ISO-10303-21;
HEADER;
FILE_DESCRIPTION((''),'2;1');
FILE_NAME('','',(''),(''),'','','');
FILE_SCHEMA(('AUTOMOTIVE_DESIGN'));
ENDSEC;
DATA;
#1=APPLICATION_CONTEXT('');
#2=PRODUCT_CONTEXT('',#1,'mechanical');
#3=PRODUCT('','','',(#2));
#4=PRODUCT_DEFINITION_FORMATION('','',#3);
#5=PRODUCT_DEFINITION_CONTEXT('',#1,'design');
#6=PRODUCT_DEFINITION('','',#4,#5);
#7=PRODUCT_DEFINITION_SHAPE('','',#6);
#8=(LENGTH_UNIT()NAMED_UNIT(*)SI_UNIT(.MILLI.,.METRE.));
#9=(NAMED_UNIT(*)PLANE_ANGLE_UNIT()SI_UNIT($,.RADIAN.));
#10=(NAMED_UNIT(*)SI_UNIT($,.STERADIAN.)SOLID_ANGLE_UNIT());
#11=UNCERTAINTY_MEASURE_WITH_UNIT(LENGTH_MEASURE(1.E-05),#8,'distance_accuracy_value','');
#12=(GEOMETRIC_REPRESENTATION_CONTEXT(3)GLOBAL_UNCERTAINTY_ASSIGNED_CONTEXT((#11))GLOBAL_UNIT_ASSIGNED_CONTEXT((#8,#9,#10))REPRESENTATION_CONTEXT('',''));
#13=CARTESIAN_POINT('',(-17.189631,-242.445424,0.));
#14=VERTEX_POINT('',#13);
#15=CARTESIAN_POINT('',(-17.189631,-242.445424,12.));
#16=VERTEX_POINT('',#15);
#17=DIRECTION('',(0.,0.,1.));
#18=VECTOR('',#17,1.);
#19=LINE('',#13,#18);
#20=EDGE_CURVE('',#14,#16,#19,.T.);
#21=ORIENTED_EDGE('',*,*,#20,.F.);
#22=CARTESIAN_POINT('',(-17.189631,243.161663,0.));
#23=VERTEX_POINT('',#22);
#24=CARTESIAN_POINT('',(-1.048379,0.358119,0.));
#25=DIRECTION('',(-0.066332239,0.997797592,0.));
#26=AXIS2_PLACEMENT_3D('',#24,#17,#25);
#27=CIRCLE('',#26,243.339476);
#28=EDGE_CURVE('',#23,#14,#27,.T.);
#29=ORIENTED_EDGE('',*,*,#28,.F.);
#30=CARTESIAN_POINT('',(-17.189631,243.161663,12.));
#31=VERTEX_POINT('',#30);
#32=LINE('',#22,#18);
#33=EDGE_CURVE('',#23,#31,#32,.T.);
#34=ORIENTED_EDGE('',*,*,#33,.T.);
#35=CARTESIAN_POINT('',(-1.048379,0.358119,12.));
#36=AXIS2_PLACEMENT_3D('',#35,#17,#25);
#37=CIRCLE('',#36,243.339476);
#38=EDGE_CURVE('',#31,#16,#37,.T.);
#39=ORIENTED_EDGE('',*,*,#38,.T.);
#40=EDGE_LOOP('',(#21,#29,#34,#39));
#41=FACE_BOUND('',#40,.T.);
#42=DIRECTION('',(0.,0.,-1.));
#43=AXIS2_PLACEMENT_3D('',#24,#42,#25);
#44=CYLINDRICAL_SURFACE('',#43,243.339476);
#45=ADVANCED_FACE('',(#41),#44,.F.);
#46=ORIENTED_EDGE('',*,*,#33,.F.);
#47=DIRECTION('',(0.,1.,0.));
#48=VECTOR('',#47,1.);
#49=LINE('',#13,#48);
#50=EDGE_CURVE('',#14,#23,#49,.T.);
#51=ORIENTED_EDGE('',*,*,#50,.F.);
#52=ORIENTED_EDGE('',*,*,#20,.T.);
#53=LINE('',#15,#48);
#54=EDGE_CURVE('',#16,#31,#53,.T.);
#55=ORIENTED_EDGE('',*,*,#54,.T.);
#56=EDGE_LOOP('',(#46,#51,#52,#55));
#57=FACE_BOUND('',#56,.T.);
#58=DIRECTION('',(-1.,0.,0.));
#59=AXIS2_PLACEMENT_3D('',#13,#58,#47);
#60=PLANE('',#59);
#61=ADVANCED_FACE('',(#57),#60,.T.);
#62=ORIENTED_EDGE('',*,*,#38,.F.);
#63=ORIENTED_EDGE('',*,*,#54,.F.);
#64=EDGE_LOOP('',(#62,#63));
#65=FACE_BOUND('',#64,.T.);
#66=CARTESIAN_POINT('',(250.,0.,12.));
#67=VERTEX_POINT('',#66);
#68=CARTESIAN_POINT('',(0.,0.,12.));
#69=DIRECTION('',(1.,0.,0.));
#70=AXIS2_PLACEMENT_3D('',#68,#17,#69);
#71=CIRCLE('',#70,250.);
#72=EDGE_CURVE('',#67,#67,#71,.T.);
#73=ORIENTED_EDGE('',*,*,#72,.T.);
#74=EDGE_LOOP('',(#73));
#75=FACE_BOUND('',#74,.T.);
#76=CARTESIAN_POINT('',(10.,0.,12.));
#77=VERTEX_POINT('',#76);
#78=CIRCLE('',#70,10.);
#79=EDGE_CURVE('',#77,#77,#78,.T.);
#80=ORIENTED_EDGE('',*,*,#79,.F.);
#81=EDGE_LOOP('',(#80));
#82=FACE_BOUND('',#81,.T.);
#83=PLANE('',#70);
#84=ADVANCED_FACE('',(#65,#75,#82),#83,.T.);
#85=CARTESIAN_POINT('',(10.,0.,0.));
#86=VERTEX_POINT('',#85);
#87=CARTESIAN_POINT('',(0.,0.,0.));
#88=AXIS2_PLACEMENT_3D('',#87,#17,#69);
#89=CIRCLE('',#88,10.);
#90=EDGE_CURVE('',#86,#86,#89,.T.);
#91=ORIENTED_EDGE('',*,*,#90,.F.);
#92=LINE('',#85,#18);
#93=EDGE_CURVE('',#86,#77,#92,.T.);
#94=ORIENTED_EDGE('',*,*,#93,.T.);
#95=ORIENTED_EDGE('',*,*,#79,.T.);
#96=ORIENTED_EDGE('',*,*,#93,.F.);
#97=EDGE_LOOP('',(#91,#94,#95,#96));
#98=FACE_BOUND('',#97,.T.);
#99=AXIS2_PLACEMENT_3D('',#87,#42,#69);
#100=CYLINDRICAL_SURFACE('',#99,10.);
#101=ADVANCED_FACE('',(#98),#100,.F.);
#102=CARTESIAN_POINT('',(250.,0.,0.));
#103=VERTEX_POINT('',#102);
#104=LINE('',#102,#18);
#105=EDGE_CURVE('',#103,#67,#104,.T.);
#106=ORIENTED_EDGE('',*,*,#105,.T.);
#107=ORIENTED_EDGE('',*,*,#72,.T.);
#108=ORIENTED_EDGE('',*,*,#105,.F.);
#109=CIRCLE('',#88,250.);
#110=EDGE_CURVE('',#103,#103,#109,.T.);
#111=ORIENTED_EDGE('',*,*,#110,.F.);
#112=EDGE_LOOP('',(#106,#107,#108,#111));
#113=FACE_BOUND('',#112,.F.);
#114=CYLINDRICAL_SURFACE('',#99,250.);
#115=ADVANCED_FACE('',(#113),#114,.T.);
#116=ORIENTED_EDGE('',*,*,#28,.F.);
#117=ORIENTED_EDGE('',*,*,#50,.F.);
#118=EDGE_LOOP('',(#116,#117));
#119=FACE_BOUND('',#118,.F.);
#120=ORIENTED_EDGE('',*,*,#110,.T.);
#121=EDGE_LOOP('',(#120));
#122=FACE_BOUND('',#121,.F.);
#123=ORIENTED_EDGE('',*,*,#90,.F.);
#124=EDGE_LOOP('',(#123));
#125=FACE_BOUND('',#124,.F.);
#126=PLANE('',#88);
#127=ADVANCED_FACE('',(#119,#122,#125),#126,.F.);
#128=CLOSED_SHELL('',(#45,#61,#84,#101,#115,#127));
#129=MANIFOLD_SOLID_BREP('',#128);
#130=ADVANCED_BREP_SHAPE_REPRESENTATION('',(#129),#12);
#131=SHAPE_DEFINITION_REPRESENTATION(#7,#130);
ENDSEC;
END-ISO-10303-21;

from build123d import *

# Parameters (mm, degrees)
F0_R     = 250
F1_DEPTH = 12
F2_R     = 10
F3_DEPTH = 12
F5_DEPTH = 12


with BuildPart() as f1:
    # F0 (on Top) → F1 (new body)
    with BuildSketch(Plane.XY):
        Circle(F0_R)
    extrude(amount=F1_DEPTH)

    # F2 (on Top) → F3 (cut)
    with BuildSketch(Plane.XY):
        Circle(F2_R)
    extrude(amount=F3_DEPTH, mode=Mode.SUBTRACT)

    # F4 (on Top) → F5 (cut)
    with BuildSketch(Plane.XY):
        with BuildLine():
            Line((-17.189631, -242.445424), (-17.189631, 0))
            Line((-17.189631, 0), (-17.189631, 243.161663))
            ThreePointArc((-17.189631, 243.161663), (-244.387855, 0.35812), (-17.189631, -242.445424))
        make_face()
    extrude(amount=F5_DEPTH, mode=Mode.SUBTRACT)


solid = f1.part
